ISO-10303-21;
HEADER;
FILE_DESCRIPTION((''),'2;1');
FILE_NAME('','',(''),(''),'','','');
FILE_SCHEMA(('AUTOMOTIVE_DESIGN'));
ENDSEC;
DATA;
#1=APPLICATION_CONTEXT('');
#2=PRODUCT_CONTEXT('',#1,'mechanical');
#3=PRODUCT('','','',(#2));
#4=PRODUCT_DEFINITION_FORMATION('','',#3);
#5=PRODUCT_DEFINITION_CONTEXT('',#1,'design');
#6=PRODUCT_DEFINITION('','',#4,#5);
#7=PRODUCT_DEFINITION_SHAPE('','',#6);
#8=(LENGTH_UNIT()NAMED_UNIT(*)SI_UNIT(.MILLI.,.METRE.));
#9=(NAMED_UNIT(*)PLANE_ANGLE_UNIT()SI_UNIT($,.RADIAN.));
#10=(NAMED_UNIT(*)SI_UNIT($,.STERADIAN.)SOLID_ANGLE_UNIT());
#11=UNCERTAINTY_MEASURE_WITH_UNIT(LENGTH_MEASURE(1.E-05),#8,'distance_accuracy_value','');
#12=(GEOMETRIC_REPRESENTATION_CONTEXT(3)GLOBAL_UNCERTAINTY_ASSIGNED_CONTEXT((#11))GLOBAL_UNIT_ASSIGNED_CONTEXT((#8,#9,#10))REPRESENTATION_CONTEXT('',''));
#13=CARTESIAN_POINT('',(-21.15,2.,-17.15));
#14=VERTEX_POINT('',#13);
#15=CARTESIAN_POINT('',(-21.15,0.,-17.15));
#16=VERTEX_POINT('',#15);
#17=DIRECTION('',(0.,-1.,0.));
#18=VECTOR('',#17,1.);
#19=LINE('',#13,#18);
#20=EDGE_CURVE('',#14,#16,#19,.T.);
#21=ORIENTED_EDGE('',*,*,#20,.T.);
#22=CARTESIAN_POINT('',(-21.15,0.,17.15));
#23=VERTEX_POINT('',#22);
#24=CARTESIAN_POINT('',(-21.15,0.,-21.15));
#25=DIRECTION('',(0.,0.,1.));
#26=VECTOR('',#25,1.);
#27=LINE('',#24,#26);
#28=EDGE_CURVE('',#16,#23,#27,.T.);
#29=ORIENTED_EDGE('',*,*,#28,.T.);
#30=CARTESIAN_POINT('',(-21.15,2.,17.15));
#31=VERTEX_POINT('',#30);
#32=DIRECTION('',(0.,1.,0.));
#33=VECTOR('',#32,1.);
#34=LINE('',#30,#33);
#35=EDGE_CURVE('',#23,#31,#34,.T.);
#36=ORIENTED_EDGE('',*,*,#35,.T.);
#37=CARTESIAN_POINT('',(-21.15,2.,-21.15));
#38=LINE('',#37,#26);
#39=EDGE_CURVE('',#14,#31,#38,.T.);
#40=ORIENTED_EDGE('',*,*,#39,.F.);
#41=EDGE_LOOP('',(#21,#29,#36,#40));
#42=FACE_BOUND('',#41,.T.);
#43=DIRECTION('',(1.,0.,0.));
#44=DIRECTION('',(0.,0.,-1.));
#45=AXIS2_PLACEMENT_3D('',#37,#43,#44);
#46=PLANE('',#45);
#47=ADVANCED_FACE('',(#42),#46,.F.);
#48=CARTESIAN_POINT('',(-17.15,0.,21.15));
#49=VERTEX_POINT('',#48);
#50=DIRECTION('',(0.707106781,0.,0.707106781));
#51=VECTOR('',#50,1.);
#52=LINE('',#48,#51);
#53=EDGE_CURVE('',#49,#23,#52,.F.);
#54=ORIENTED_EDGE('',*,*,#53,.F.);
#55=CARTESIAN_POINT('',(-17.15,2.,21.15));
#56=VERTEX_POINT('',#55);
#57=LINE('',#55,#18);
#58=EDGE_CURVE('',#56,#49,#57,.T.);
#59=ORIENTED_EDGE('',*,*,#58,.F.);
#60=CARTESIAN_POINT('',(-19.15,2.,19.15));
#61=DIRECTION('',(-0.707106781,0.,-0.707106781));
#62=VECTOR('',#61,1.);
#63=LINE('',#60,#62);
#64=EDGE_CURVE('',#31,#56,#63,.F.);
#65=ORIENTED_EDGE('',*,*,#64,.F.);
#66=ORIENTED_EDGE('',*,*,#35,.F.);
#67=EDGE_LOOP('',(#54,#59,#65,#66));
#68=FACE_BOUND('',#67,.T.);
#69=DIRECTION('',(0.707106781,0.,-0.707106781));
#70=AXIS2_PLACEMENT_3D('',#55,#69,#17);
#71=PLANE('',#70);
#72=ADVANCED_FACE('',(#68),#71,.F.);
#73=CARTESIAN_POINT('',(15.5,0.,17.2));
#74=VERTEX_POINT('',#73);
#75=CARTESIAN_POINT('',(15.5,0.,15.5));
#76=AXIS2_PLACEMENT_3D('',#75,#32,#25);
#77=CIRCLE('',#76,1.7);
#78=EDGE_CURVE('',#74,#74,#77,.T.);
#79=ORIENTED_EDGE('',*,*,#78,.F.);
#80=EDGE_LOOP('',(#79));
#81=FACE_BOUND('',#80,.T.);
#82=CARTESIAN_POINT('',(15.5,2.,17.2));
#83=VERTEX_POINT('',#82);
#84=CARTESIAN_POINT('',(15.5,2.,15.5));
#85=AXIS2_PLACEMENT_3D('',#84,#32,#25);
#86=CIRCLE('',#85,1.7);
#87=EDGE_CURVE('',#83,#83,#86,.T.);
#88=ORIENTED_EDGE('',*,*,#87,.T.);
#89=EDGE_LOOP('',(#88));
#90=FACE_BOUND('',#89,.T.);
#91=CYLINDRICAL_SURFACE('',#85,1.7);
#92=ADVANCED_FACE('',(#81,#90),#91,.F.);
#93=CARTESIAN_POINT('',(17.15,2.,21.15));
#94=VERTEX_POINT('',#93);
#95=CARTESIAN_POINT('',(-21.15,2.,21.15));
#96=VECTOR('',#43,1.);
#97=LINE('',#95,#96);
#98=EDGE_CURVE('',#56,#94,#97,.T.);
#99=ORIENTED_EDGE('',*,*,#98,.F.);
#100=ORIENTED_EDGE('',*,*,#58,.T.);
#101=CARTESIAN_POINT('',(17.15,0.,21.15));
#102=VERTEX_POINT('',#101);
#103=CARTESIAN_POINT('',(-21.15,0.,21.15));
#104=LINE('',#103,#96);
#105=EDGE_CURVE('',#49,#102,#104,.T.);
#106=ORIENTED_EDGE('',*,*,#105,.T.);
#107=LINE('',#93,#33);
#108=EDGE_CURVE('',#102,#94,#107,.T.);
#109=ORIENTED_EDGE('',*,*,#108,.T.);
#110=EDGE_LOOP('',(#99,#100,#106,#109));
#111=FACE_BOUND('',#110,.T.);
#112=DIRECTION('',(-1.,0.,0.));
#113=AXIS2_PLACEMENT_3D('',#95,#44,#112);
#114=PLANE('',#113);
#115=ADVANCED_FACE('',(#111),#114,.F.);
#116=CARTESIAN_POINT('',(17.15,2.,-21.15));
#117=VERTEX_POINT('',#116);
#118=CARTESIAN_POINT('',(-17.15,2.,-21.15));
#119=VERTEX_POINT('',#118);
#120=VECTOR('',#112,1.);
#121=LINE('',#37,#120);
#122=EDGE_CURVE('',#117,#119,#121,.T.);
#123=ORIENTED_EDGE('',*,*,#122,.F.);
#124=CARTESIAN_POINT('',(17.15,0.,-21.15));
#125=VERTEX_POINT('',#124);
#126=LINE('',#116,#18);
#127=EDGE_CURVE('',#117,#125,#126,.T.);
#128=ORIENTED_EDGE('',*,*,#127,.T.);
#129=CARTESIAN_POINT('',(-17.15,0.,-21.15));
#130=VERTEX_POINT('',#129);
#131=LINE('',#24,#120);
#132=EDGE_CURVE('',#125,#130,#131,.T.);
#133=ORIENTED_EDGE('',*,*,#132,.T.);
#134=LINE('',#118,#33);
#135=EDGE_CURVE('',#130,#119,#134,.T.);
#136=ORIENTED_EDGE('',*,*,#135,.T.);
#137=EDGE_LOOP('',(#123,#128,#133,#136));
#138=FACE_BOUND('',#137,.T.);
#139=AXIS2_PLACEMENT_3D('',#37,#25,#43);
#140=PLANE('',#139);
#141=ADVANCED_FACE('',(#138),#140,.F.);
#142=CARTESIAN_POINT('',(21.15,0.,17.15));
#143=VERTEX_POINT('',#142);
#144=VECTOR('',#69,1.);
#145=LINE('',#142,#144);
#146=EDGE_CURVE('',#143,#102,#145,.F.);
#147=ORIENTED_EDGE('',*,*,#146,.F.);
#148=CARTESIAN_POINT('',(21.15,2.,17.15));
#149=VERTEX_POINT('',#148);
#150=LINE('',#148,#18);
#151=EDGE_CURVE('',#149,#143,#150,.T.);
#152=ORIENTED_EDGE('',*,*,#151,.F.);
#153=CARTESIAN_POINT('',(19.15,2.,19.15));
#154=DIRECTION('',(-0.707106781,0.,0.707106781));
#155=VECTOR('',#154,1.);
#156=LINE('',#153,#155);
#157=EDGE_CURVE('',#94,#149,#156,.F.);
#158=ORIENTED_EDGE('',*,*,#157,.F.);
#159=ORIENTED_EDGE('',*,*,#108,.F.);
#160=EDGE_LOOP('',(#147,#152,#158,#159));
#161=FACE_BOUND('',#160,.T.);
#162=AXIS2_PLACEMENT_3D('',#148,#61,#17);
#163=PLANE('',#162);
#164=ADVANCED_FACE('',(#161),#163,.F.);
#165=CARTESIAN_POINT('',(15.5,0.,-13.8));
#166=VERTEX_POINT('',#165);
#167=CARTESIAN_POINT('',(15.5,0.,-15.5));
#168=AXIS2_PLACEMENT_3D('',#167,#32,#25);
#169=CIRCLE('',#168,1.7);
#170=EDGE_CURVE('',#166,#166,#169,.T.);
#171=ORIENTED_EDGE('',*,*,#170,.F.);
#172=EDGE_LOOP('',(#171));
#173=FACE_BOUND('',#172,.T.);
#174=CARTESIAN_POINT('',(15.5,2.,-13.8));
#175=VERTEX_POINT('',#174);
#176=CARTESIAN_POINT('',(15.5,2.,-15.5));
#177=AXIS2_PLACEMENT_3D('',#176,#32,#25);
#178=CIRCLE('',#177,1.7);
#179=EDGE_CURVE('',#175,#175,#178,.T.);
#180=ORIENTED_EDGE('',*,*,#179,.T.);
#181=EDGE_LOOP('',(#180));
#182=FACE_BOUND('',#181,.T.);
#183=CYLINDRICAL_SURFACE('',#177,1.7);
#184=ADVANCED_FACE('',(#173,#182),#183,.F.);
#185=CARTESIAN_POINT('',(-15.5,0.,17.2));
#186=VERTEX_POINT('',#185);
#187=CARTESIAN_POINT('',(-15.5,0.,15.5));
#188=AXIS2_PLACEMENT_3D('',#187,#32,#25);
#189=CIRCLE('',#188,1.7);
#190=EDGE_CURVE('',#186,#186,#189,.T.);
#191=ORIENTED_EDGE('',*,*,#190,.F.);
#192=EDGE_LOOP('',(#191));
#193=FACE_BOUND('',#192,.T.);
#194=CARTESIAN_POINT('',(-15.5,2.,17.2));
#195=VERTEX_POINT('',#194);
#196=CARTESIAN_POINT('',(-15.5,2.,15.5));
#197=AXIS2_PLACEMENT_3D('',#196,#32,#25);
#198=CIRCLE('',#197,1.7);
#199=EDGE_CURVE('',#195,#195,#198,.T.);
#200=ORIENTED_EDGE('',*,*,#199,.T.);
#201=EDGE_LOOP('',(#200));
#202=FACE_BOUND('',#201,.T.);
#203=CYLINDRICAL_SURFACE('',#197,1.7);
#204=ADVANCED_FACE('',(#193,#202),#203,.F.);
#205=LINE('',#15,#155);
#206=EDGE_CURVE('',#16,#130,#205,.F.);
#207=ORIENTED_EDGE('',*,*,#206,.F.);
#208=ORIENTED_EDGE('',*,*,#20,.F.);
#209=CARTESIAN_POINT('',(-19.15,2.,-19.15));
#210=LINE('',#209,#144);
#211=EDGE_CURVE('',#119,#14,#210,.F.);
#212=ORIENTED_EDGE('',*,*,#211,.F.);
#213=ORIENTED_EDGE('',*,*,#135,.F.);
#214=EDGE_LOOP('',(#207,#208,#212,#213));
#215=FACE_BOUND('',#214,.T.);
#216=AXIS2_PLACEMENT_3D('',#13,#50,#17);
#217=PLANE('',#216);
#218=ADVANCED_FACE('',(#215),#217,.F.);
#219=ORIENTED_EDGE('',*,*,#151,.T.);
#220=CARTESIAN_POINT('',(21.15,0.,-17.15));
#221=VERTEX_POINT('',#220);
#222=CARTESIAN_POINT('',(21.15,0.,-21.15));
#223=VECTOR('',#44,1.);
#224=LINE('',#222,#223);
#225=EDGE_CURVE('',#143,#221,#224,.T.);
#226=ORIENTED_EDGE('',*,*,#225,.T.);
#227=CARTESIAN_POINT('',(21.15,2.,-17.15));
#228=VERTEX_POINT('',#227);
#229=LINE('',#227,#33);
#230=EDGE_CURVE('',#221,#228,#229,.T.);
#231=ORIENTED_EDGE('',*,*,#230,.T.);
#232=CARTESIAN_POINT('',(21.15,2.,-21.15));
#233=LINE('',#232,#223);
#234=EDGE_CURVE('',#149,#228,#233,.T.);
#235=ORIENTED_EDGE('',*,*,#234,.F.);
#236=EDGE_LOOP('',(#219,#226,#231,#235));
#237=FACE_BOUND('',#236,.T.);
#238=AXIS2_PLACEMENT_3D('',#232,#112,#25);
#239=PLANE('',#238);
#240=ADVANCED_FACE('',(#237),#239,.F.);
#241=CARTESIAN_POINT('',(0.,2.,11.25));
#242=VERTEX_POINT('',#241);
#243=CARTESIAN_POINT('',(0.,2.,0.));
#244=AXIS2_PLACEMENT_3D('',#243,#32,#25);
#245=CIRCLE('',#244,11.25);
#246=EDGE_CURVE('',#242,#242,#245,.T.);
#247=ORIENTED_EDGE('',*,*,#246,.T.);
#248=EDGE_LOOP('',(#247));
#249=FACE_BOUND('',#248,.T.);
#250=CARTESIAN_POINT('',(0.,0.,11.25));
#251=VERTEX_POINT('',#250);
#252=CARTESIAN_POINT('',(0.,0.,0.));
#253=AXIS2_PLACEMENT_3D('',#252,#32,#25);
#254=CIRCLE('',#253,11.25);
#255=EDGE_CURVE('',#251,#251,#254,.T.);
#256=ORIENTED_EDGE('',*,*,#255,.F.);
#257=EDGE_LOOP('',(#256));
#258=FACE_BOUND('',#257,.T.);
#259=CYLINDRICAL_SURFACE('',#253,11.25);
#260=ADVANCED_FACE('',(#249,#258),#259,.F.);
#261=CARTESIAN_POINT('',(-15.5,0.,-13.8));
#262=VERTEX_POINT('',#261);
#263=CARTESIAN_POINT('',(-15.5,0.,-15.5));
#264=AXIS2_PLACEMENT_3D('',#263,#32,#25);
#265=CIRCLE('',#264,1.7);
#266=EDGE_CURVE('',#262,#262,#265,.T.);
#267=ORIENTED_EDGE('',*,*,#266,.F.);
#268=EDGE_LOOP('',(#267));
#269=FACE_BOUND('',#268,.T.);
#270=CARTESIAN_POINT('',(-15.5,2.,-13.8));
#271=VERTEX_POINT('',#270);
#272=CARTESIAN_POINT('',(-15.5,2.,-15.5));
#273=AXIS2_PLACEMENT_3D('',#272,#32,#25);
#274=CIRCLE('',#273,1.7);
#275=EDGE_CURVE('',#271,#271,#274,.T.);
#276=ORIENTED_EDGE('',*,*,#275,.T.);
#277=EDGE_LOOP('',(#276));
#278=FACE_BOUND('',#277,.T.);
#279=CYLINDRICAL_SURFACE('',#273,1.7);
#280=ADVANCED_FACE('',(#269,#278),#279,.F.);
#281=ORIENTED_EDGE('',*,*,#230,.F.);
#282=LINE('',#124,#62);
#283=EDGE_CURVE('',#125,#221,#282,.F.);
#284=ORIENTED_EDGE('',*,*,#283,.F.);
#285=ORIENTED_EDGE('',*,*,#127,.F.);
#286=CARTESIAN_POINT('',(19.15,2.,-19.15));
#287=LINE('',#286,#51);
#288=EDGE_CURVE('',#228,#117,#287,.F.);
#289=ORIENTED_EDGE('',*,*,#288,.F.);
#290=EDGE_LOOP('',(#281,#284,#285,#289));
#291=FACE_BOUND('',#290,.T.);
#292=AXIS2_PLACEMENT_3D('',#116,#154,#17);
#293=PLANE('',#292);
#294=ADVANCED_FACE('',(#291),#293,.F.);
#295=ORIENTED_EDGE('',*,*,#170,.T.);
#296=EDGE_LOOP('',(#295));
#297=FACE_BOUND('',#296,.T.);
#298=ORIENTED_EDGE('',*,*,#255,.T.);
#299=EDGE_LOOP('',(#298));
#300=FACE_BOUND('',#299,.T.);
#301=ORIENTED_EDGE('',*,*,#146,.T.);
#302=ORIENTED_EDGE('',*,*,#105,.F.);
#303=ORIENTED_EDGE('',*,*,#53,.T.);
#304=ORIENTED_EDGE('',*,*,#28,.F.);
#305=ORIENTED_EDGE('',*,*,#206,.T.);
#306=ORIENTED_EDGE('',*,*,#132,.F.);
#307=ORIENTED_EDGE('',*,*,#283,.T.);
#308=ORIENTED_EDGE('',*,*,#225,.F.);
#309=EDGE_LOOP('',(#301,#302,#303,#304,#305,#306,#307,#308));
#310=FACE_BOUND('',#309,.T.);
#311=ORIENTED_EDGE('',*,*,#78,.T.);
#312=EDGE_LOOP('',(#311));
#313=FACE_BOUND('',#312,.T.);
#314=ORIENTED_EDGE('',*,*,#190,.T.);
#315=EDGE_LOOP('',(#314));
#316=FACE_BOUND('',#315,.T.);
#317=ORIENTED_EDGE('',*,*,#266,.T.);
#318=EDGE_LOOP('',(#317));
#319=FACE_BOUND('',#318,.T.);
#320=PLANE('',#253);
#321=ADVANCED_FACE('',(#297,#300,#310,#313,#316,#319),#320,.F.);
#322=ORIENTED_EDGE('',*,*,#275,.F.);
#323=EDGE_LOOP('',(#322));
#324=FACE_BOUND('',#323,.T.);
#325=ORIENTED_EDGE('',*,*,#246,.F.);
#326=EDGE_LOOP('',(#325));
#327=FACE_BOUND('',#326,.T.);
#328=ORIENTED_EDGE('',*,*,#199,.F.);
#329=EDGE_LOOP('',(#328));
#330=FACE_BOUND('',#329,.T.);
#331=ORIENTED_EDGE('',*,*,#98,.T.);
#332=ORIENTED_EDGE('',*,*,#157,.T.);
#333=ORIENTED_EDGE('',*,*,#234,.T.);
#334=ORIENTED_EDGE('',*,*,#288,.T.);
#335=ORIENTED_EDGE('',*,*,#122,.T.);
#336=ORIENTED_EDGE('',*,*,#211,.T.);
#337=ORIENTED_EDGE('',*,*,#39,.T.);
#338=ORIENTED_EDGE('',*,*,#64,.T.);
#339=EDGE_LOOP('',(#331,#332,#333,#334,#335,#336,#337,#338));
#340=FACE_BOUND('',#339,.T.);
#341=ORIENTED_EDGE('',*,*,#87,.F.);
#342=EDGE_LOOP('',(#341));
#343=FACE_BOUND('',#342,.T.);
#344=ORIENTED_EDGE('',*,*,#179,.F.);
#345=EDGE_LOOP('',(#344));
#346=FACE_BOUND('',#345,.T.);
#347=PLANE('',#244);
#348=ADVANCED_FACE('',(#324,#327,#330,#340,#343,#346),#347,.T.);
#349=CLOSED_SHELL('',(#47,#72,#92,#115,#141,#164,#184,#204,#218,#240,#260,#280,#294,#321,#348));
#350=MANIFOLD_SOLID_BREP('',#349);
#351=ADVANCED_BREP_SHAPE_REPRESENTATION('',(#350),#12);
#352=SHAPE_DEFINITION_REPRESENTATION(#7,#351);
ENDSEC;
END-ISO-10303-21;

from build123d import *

# Parameters (mm, degrees)
SKETCH1_W            = 42.3
SKETCH1_H            = 42.3
BOSS_EXTRUDE1_DEPTH  = 2
SKETCH2_R            = 11.25
CUT_EXTRUDE1_DEPTH   = 3
M3_CLEARANCE_HOLE1_D = 3.4
CHAMFER1_SIZE        = 4


with BuildPart() as part:
    # Sketch1 → Boss-Extrude1 (new body)
    with BuildSketch(Plane(origin=(0, 0, 0), x_dir=(1, 0, 0), z_dir=(0, 1, 0))):
        Rectangle(SKETCH1_W, SKETCH1_H)
    extrude(amount=BOSS_EXTRUDE1_DEPTH)

    # Sketch2 → Cut-Extrude1 (cut, through all)
    with BuildSketch(Plane(origin=(0, 2, 0), x_dir=(1, 0, 0), z_dir=(0, 1, 0))):
        Circle(SKETCH2_R)
    extrude(amount=-CUT_EXTRUDE1_DEPTH, mode=Mode.SUBTRACT)

    # M3 Clearance Hole1 (through all)
    with Locations(Plane(origin=(0, 2, 0), x_dir=(1, 0, 0), z_dir=(0, 1, 0))):
        with Locations((-15.5, 15.5), (15.5, 15.5), (15.5, -15.5), (-15.5, -15.5)):
            Hole(M3_CLEARANCE_HOLE1_D / 2)

    # Chamfer1
    chamfer1_edges = [part.edges().sort_by_distance(p)[0] for p in [
        (21.15, 1, 21.15),
        (-21.15, 1, 21.15),
        (-21.15, 1, -21.15),
        (21.15, 1, -21.15),
    ]]
    chamfer(chamfer1_edges, length=CHAMFER1_SIZE)


solid = part.part
